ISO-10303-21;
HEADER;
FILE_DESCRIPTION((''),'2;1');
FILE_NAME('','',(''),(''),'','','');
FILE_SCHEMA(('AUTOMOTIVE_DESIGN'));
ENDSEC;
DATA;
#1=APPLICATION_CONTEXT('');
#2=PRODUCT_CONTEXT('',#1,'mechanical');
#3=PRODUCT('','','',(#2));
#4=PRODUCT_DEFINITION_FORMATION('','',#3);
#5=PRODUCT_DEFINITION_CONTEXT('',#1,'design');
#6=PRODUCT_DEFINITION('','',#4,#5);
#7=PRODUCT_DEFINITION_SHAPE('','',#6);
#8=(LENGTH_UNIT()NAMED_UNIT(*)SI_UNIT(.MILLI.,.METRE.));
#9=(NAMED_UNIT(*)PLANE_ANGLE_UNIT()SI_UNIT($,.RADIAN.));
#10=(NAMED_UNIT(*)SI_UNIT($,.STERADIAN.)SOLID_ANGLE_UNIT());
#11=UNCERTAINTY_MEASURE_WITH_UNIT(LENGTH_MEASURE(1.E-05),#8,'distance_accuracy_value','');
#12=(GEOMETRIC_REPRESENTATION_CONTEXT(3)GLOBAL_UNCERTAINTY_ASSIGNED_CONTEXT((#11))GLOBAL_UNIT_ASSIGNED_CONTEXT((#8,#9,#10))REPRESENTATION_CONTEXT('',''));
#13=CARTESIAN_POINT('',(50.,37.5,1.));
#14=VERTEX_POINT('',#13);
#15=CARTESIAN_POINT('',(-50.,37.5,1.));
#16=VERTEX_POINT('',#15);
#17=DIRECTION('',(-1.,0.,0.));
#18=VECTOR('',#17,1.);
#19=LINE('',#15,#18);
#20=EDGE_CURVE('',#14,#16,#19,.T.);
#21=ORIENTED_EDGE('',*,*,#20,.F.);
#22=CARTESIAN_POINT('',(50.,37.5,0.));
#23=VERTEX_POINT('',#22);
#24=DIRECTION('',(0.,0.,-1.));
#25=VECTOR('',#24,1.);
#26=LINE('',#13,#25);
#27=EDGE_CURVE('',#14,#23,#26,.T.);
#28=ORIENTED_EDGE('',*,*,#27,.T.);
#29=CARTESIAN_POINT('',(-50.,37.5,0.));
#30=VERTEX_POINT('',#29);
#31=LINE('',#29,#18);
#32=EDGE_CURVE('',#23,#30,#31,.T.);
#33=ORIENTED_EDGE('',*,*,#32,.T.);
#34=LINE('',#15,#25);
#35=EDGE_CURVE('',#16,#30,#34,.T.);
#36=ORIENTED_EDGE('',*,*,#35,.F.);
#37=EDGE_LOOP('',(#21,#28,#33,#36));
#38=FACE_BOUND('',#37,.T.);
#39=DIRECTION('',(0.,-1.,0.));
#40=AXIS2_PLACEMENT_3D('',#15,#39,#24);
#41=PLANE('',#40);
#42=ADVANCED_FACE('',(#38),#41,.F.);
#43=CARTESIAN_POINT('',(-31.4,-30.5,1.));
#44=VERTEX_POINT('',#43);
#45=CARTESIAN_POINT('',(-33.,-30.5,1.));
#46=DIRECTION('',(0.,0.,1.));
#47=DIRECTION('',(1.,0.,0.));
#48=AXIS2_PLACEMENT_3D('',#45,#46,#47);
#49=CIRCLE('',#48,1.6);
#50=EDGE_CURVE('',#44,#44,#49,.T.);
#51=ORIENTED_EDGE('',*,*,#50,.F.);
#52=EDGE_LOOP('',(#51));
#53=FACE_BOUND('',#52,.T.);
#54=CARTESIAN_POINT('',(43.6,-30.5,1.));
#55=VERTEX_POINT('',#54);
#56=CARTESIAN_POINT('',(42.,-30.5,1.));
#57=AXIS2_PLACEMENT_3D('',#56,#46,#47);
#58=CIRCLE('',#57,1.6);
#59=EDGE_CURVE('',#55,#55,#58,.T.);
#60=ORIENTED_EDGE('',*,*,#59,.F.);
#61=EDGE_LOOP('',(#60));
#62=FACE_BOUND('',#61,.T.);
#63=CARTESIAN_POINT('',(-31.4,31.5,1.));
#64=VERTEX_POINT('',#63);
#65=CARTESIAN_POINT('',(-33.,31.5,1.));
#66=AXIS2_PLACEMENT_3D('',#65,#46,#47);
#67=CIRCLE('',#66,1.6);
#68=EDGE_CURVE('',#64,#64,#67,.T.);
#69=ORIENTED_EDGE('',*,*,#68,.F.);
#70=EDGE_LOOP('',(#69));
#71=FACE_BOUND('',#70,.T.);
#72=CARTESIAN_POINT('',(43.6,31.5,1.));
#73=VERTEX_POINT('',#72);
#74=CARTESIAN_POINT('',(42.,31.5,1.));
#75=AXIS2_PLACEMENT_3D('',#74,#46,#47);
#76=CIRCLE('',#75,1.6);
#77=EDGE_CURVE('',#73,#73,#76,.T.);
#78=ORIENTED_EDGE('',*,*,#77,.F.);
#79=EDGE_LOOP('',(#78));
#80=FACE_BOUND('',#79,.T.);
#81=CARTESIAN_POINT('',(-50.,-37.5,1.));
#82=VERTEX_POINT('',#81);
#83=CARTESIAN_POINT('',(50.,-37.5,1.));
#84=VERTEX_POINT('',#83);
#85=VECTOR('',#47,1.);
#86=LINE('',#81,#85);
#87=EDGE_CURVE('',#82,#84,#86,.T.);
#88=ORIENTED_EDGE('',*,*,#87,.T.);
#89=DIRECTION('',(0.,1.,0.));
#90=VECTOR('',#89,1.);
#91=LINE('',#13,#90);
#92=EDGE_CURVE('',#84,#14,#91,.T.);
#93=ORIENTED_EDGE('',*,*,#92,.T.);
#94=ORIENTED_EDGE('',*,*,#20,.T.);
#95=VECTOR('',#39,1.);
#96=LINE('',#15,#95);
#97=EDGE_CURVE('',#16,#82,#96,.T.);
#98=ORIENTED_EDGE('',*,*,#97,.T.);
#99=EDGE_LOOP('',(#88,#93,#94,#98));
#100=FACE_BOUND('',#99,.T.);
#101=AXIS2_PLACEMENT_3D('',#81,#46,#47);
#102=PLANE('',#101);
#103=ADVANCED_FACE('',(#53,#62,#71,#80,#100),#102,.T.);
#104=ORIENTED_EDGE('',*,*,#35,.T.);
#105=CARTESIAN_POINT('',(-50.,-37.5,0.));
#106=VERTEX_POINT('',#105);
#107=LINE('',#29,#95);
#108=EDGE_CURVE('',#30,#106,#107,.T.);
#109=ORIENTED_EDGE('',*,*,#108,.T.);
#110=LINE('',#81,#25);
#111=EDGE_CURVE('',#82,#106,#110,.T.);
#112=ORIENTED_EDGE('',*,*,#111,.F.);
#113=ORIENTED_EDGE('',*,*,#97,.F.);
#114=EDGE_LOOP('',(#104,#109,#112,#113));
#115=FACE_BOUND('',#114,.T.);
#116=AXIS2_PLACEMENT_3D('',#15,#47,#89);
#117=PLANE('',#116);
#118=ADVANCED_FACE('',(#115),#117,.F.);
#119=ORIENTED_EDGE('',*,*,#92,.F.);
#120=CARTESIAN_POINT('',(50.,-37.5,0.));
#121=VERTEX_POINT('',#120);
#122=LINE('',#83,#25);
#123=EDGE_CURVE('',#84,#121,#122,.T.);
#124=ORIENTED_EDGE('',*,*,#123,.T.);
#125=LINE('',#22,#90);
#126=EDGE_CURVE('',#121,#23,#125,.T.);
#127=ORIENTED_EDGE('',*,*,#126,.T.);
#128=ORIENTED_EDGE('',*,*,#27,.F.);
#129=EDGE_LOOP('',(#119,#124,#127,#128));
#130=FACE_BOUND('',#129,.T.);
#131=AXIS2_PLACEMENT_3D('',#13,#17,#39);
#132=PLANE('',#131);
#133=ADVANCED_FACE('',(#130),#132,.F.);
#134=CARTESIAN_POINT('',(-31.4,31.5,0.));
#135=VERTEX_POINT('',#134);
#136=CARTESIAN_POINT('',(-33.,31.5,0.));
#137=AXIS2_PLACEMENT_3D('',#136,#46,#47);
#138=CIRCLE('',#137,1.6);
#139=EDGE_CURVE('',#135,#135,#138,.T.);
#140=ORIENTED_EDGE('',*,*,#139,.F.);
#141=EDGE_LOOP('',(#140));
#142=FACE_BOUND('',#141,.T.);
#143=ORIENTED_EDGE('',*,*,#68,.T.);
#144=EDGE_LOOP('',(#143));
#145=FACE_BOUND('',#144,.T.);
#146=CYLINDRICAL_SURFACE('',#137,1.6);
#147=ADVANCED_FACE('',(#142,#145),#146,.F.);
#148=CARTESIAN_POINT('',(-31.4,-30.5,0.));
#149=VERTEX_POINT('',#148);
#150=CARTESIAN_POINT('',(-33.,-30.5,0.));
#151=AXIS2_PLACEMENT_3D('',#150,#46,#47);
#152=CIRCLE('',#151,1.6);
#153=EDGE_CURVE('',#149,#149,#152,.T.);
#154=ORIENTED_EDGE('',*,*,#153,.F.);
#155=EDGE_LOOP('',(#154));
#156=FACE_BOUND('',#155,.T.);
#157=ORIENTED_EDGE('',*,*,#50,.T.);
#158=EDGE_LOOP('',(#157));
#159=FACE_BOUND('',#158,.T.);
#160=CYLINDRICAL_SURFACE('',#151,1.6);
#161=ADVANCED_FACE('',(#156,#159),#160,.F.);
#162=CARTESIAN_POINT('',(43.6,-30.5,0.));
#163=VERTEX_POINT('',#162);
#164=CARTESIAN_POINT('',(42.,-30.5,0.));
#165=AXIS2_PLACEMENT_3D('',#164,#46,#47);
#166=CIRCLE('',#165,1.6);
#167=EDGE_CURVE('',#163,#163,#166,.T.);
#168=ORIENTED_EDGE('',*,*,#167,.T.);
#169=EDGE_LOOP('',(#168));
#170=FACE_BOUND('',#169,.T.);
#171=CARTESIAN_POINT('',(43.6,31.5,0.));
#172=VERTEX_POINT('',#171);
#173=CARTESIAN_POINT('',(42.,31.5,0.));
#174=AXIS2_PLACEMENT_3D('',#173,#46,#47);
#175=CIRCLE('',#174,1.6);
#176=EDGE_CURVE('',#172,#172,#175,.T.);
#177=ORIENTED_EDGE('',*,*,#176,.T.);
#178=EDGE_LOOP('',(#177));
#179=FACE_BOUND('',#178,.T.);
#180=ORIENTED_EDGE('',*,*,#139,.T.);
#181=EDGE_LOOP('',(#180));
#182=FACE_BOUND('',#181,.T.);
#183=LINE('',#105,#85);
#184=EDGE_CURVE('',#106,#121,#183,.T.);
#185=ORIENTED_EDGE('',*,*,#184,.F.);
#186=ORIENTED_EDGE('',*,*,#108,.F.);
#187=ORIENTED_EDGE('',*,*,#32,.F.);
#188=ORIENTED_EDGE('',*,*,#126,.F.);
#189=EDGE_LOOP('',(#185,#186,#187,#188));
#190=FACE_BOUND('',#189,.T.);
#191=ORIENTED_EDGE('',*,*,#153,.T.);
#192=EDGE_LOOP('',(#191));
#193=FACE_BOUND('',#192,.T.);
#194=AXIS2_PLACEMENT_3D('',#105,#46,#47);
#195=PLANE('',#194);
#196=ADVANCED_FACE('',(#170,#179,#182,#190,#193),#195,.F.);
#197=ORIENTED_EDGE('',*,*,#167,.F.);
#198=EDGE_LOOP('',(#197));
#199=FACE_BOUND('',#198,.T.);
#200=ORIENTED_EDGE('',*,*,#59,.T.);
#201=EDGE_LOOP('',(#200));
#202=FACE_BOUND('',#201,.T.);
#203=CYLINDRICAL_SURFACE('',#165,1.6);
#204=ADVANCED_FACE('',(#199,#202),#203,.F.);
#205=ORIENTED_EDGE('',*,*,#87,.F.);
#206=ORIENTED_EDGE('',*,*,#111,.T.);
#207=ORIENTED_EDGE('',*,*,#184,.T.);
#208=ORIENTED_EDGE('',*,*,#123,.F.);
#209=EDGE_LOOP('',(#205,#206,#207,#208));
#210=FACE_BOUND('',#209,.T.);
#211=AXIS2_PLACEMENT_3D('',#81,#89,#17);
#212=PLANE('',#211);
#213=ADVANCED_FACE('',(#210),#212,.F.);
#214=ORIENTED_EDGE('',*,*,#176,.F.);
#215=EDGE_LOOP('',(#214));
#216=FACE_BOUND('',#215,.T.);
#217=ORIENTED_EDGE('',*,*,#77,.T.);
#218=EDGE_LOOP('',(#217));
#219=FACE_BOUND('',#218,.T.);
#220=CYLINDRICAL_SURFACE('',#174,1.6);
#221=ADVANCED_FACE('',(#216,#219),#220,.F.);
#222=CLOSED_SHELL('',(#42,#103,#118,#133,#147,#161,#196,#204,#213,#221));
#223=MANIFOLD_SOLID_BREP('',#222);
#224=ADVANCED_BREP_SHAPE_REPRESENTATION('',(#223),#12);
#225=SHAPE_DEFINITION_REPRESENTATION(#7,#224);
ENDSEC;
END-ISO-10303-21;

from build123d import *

# Parameters (mm, degrees)
SKETCH_1_W                  = 100
SKETCH_1_H                  = 75
EXTRUDE_1_DEPTH             = 1
SKETCH_2_R                  = 1.6
CUT_EXTRUDE_1_DEPTH         = 1
PATTERN_LINEAR_1_COUNT      = 2
PATTERN_LINEAR_1_PITCH      = 75
PATTERN_LINEAR_1_COUNT_DIR2 = 2
PATTERN_LINEAR_1_PITCH_DIR2 = 62


with BuildPart() as part:
    # ｽｹｯﾁ1 → ﾎﾞｽ - 押し出し1 (new body)
    with BuildSketch(Plane.XY):
        Rectangle(SKETCH_1_W, SKETCH_1_H)
    extrude(amount=EXTRUDE_1_DEPTH)

    # ｽｹｯﾁ2 → ｶｯﾄ - 押し出し1 (cut)
    with BuildSketch(Plane.XY.offset(1)):
        with Locations((42, -30.5)):
            Circle(SKETCH_2_R)
    cut_extrude_1 = extrude(amount=-CUT_EXTRUDE_1_DEPTH, mode=Mode.SUBTRACT)

    # 直線ﾊﾟﾀｰﾝ1: Cut-Extrude 1 2 × 2
    with Locations(*[(-i * PATTERN_LINEAR_1_PITCH, j * PATTERN_LINEAR_1_PITCH_DIR2, 0) for i in range(PATTERN_LINEAR_1_COUNT) for j in range(PATTERN_LINEAR_1_COUNT_DIR2) if (i, j) != (0, 0)]):
        add(cut_extrude_1, mode=Mode.SUBTRACT)


solid = part.part
